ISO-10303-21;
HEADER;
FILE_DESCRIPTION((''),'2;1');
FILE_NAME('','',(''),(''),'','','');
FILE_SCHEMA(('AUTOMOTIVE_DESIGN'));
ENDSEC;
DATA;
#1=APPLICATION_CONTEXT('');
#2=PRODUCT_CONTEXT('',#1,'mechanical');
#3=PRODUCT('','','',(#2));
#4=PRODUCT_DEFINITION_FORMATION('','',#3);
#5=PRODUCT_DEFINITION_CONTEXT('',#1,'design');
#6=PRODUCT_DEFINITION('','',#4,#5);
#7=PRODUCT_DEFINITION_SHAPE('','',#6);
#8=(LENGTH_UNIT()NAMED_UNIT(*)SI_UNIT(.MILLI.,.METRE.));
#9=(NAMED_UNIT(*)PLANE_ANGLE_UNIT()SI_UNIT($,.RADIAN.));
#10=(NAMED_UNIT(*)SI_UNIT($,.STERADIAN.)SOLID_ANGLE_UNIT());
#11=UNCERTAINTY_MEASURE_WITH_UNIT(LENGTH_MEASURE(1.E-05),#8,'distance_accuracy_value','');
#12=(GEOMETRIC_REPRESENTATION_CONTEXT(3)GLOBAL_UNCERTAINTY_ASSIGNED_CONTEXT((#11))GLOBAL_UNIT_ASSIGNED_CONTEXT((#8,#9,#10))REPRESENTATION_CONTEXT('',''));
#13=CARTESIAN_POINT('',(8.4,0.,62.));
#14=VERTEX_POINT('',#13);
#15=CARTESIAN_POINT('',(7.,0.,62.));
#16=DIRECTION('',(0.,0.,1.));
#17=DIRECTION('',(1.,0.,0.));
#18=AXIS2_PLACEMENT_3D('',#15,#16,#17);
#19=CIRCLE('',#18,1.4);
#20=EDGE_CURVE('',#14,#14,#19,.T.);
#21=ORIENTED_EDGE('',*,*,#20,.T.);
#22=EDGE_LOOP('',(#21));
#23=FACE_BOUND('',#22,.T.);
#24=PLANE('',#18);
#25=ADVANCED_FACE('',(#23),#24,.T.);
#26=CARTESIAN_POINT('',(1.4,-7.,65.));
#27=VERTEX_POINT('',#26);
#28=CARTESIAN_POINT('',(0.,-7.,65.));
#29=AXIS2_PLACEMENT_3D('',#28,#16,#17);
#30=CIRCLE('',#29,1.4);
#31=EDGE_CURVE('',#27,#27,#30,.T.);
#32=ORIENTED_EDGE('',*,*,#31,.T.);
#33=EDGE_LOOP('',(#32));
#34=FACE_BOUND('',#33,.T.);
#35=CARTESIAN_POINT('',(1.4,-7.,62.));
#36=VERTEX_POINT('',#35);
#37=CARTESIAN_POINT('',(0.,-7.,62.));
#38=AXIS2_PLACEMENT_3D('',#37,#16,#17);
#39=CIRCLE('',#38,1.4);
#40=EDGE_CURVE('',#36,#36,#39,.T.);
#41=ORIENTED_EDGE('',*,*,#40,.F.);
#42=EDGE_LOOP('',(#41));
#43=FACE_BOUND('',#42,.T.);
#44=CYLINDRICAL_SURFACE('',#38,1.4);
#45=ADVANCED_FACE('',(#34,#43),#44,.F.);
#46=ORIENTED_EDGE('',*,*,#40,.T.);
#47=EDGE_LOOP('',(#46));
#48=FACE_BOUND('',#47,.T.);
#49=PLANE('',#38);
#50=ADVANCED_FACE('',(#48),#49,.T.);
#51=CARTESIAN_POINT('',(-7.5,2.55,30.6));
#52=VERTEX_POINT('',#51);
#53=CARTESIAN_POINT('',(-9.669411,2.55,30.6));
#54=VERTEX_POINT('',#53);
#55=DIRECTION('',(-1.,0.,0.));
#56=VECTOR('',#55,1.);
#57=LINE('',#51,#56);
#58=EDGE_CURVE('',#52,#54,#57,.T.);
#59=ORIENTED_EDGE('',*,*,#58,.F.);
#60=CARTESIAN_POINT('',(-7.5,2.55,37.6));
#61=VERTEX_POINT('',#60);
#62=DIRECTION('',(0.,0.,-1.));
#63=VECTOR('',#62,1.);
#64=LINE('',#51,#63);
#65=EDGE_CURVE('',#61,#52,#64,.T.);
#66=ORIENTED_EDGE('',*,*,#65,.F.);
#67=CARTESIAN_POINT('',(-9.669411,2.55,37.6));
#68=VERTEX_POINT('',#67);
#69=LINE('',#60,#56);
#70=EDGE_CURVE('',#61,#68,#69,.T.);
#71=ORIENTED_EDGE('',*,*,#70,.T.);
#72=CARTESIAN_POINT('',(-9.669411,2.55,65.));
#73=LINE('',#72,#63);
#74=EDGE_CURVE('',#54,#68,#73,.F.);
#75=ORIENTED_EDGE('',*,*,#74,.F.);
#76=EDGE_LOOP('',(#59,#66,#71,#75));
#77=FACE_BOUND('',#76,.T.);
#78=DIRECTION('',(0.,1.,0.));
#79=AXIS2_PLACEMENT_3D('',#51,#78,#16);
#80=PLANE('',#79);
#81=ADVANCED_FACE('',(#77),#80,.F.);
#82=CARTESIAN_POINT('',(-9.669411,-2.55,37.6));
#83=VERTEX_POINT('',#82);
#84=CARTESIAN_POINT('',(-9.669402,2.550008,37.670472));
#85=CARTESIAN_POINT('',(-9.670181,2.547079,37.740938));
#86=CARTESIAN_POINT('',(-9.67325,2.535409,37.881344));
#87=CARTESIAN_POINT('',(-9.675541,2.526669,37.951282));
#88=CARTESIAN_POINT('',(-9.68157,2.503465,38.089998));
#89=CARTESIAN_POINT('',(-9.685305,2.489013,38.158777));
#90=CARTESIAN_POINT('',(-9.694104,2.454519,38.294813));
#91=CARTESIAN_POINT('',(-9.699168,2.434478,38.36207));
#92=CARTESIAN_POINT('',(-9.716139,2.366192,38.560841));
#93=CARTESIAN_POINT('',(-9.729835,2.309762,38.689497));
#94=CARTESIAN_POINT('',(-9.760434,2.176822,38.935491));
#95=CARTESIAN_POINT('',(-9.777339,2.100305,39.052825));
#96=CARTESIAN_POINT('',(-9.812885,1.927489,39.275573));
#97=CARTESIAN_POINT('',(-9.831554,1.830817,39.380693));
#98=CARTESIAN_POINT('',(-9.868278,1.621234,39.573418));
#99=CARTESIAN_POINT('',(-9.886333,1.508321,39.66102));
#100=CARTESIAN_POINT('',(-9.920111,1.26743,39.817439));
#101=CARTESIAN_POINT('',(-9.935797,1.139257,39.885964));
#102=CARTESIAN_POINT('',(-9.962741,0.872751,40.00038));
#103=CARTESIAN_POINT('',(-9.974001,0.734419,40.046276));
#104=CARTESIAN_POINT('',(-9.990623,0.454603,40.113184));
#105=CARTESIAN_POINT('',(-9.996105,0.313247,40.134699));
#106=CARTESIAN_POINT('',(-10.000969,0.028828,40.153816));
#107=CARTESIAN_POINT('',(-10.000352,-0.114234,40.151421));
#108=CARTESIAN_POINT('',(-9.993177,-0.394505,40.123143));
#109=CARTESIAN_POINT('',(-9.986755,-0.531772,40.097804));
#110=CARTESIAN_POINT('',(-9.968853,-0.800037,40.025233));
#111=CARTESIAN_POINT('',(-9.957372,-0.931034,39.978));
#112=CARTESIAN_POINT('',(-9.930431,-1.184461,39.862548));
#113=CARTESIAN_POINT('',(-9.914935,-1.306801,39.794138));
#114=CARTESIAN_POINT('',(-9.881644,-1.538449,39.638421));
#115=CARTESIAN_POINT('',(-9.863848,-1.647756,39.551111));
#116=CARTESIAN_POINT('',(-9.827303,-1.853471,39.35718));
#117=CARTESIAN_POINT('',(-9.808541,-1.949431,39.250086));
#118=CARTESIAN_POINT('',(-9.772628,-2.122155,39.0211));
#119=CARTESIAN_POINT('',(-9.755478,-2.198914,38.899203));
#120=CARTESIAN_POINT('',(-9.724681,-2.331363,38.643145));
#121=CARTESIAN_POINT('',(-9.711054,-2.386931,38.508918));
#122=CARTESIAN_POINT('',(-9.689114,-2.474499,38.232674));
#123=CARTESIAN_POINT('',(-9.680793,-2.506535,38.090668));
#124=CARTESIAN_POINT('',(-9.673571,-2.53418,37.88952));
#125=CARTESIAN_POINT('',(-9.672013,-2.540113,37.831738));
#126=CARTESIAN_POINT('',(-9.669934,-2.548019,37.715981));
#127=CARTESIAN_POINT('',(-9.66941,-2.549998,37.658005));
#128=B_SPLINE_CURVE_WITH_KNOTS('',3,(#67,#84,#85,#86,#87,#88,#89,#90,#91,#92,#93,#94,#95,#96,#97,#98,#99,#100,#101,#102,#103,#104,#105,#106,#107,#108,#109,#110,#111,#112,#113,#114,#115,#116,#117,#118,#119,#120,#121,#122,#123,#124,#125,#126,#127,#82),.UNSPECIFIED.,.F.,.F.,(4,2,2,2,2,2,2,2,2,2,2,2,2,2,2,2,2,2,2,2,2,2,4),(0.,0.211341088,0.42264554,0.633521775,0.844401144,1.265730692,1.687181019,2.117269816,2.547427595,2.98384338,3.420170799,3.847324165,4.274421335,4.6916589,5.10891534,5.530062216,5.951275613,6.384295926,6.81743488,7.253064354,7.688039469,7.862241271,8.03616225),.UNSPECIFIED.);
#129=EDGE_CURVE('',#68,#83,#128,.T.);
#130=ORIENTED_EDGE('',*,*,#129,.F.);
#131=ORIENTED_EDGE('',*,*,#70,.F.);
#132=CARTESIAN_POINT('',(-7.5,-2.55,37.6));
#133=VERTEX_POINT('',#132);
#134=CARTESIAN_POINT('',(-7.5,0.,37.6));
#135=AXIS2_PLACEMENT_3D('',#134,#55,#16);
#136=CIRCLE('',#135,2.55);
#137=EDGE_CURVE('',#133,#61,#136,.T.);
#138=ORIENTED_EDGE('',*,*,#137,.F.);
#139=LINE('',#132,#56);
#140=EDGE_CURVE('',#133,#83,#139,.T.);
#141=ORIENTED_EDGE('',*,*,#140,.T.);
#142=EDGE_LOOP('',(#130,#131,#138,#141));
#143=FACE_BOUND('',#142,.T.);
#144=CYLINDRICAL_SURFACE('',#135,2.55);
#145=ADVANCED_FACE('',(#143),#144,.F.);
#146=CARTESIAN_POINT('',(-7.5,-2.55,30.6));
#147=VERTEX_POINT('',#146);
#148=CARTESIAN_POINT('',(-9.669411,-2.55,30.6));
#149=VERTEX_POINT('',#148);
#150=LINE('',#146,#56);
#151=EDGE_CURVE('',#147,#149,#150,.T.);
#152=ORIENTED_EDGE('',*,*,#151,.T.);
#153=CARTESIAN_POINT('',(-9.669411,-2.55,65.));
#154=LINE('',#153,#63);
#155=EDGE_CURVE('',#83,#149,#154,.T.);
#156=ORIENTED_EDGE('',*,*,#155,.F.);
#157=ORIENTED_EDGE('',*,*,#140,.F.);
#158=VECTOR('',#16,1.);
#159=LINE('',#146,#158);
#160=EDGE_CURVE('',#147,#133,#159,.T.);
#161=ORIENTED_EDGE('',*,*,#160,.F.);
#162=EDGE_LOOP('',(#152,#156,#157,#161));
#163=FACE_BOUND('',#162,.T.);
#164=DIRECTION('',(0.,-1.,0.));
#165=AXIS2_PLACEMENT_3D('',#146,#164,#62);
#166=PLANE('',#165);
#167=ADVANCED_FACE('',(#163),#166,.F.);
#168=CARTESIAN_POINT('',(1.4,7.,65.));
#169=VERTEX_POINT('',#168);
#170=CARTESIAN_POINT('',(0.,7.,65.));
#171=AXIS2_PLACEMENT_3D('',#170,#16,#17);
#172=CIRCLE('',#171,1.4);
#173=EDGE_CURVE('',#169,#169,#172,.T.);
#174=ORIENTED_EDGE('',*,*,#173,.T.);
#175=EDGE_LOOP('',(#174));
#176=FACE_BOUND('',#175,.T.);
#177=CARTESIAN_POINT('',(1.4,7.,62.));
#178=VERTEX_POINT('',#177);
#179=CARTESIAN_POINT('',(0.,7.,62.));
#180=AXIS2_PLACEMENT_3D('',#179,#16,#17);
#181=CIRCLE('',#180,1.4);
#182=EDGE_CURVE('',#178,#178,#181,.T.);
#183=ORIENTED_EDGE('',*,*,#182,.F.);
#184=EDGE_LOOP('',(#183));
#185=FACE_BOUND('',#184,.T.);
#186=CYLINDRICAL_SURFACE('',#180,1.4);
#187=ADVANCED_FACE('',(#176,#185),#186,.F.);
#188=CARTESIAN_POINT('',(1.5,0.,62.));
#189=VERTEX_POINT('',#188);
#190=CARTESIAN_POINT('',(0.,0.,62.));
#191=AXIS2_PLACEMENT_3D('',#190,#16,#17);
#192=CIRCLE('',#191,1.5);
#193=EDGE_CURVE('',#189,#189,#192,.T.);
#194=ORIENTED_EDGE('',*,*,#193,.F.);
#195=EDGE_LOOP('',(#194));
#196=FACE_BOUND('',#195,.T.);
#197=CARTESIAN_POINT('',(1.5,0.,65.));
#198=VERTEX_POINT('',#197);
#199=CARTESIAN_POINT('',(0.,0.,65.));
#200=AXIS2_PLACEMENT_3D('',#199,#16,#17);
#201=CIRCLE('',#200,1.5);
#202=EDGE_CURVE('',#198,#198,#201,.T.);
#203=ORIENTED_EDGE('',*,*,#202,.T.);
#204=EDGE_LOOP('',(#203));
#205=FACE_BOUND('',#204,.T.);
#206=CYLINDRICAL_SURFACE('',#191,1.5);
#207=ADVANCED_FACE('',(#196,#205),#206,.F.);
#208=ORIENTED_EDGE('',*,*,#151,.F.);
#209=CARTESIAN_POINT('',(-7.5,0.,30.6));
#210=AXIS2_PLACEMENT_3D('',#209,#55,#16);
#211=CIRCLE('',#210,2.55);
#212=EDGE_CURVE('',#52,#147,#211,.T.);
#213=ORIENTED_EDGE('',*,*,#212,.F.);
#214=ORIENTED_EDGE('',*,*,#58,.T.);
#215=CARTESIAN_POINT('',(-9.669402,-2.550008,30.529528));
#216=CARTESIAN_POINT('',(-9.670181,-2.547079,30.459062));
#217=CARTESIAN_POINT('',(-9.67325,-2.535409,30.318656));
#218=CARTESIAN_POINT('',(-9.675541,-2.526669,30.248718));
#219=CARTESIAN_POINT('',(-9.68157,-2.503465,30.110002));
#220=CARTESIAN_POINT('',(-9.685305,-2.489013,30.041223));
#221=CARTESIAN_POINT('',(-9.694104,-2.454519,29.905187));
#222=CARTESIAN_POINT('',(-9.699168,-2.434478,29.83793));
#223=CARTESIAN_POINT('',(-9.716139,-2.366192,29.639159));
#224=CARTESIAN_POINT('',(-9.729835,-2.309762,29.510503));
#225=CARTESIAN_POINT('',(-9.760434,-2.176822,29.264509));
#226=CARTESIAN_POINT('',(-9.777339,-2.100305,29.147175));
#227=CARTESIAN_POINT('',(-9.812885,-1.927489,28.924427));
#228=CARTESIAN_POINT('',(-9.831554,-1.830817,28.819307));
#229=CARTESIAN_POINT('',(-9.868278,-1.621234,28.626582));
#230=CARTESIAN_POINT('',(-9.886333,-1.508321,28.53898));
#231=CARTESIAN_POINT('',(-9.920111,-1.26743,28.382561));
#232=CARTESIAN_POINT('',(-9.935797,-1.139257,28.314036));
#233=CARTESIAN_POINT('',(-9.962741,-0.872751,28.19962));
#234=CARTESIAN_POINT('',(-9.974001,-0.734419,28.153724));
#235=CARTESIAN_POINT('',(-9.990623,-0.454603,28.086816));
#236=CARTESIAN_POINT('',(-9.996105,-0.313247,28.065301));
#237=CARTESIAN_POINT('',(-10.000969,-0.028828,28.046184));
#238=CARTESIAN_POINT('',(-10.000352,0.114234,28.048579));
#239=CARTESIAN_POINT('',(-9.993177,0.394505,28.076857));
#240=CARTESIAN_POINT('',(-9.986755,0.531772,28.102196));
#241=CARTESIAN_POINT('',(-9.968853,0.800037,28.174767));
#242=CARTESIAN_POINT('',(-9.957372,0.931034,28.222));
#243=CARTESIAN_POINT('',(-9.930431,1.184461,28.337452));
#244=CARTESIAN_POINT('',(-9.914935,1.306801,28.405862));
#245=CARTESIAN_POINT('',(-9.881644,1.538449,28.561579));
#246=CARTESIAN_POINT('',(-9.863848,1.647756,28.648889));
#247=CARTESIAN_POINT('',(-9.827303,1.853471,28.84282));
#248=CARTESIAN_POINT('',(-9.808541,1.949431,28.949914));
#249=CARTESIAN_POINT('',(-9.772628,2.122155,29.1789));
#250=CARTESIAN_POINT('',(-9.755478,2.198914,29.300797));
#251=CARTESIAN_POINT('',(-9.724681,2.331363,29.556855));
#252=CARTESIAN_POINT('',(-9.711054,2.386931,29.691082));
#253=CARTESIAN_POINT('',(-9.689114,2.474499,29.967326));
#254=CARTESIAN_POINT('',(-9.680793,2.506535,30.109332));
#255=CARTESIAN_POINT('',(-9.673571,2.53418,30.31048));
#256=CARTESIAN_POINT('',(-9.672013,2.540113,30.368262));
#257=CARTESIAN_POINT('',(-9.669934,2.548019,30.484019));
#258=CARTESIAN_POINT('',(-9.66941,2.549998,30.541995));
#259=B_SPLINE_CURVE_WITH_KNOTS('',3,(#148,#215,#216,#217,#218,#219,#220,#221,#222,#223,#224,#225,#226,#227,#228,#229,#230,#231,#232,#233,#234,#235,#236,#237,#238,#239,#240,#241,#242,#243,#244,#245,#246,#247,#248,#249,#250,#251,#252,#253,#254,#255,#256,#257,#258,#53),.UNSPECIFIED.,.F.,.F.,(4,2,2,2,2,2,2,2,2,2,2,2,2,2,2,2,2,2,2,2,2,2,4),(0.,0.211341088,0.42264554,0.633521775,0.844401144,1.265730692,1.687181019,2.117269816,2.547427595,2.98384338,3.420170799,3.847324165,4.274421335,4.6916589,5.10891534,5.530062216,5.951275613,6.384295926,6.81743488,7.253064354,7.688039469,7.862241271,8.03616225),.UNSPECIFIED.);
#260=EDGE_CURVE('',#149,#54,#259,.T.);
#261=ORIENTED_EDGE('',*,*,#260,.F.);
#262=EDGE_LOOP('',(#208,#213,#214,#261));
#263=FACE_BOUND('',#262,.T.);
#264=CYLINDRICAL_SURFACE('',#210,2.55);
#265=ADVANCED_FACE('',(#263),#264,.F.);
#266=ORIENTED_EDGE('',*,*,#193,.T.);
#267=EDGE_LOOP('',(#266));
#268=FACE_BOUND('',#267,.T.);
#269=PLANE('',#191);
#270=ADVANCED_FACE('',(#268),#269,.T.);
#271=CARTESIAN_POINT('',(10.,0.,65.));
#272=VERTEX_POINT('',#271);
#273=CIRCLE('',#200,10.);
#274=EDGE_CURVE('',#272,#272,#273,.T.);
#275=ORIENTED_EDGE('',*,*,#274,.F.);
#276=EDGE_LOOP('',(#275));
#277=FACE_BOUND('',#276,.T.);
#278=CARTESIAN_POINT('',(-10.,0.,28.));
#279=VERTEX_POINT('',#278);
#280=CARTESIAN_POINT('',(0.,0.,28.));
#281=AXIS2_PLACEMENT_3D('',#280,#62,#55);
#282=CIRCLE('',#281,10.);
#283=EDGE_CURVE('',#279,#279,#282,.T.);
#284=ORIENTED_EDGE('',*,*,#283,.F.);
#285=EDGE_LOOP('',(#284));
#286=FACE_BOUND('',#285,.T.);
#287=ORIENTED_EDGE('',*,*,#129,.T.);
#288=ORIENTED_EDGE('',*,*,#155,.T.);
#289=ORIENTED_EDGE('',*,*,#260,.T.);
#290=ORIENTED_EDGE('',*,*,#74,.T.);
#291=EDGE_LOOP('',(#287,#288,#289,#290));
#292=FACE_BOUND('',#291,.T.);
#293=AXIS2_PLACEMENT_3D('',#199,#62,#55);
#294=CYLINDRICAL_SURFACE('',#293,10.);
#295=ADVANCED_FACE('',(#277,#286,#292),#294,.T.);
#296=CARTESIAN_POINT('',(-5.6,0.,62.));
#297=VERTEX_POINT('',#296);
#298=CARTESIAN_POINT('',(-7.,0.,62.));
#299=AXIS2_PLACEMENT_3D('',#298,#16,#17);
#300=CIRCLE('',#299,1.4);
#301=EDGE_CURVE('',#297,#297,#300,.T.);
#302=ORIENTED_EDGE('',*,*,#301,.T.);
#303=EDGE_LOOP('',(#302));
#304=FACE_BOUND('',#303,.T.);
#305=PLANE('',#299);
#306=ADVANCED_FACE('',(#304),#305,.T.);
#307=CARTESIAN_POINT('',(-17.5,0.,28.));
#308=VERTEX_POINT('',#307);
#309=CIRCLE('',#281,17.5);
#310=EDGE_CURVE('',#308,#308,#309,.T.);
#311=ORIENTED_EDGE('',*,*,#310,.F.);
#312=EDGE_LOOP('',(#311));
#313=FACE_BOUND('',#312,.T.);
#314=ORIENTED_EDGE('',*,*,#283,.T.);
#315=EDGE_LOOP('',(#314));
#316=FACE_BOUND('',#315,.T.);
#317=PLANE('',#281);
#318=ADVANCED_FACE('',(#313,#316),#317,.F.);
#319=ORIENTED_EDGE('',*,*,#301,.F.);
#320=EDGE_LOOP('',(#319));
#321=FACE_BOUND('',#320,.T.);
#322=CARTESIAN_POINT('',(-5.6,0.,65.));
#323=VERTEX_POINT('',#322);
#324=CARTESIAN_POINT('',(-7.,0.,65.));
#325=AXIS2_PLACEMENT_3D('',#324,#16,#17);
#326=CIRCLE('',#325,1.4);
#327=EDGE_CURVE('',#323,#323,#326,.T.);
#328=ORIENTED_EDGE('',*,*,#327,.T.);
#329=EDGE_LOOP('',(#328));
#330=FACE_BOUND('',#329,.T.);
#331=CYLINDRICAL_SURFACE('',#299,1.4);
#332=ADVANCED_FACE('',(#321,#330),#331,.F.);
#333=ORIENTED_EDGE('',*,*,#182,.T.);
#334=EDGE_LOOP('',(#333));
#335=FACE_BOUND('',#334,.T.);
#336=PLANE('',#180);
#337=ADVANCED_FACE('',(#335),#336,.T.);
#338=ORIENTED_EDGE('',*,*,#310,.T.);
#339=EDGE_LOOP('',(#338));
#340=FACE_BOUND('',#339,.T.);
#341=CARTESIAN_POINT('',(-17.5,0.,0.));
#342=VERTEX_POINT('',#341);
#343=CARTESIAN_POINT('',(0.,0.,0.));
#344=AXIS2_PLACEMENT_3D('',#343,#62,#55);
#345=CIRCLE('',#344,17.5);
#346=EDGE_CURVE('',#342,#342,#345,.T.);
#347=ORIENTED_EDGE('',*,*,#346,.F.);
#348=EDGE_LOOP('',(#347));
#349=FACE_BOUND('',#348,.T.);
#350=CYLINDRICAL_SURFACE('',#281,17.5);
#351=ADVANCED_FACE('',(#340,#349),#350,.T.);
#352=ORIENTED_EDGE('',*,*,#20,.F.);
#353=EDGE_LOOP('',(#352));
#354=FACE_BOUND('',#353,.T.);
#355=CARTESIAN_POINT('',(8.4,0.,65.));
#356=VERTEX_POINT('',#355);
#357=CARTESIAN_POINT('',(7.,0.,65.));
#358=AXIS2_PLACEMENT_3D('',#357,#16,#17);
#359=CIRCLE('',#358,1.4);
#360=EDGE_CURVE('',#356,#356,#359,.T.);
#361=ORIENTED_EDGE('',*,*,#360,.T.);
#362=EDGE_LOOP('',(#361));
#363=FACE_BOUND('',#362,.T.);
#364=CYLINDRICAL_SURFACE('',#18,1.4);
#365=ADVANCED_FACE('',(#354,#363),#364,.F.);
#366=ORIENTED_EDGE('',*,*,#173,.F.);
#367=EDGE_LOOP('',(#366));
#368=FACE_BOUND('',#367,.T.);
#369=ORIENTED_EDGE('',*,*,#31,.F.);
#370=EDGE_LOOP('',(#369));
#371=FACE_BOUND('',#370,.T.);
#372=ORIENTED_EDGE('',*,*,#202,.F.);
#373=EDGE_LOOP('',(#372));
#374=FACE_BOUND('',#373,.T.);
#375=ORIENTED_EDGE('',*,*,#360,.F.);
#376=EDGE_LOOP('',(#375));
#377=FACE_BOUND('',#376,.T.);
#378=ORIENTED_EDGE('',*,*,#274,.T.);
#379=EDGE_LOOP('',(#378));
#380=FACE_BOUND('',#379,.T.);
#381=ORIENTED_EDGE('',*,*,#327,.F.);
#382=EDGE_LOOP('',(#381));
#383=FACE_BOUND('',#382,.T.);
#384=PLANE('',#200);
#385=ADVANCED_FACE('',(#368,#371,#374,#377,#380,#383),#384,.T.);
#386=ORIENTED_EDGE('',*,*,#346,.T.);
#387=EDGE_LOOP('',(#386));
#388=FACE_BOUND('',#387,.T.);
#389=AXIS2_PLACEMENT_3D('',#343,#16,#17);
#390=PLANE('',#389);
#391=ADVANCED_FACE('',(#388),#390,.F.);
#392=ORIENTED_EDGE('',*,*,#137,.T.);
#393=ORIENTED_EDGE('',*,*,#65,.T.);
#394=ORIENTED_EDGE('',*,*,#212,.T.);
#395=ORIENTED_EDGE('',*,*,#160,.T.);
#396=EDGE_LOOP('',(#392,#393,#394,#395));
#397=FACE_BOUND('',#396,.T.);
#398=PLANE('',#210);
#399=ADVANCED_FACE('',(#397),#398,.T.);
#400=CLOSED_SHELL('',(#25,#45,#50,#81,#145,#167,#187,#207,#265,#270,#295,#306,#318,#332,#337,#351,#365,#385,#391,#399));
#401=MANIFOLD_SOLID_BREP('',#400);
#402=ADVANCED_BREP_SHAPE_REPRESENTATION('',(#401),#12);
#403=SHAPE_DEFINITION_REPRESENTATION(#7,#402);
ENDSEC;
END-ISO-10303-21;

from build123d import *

# Parameters (mm, degrees)
SKETCH_1_R          = 10
EXTRUDE_1_DEPTH     = 65
CUT_EXTRUDE_1_DEPTH = 2.5
SKETCH_3_R          = 17.5
EXTRUDE_2_DEPTH     = 28
SKETCH_4_R          = 1.4
CUT_EXTRUDE_2_DEPTH = 3
SKETCH_5_R          = 1.5
CUT_EXTRUDE_3_DEPTH = 3


with BuildPart() as part:
    # 草图1 → 凸台-拉伸1 (new body)
    with BuildSketch(Plane.XY):
        Circle(SKETCH_1_R)
    extrude(amount=EXTRUDE_1_DEPTH)

    # 草图2 → 切除-拉伸1 (cut)
    with BuildSketch(Plane.ZY.offset(10)):
        with BuildLine():
            Line((30.6, 2.55), (37.6, 2.55))
            ThreePointArc((37.6, 2.55), (40.15, 0), (37.6, -2.55))
            Line((37.6, -2.55), (30.6, -2.55))
            ThreePointArc((30.6, -2.55), (28.05, 0), (30.6, 2.55))
        make_face()
    extrude(amount=-CUT_EXTRUDE_1_DEPTH, mode=Mode.SUBTRACT)

    # 草图3 → 凸台-拉伸2 (add)
    with BuildSketch(Plane(origin=(0, 0, 0), x_dir=(-1, 0, 0), z_dir=(0, 0, -1))):
        Circle(SKETCH_3_R)
    extrude(amount=-EXTRUDE_2_DEPTH)

    # 草图4 → 切除-拉伸2 (cut)
    with BuildSketch(Plane.XY.offset(65)):
        with Locations((0, 7)):
            Circle(SKETCH_4_R)
        with Locations((7, 0)):
            Circle(SKETCH_4_R)
        with Locations((0, -7)):
            Circle(SKETCH_4_R)
        with Locations((-7, 0)):
            Circle(SKETCH_4_R)
    extrude(amount=-CUT_EXTRUDE_2_DEPTH, mode=Mode.SUBTRACT)

    # 草图5 → 切除-拉伸3 (cut)
    with BuildSketch(Plane.XY.offset(65)):
        Circle(SKETCH_5_R)
    extrude(amount=-CUT_EXTRUDE_3_DEPTH, mode=Mode.SUBTRACT)


solid = part.part
